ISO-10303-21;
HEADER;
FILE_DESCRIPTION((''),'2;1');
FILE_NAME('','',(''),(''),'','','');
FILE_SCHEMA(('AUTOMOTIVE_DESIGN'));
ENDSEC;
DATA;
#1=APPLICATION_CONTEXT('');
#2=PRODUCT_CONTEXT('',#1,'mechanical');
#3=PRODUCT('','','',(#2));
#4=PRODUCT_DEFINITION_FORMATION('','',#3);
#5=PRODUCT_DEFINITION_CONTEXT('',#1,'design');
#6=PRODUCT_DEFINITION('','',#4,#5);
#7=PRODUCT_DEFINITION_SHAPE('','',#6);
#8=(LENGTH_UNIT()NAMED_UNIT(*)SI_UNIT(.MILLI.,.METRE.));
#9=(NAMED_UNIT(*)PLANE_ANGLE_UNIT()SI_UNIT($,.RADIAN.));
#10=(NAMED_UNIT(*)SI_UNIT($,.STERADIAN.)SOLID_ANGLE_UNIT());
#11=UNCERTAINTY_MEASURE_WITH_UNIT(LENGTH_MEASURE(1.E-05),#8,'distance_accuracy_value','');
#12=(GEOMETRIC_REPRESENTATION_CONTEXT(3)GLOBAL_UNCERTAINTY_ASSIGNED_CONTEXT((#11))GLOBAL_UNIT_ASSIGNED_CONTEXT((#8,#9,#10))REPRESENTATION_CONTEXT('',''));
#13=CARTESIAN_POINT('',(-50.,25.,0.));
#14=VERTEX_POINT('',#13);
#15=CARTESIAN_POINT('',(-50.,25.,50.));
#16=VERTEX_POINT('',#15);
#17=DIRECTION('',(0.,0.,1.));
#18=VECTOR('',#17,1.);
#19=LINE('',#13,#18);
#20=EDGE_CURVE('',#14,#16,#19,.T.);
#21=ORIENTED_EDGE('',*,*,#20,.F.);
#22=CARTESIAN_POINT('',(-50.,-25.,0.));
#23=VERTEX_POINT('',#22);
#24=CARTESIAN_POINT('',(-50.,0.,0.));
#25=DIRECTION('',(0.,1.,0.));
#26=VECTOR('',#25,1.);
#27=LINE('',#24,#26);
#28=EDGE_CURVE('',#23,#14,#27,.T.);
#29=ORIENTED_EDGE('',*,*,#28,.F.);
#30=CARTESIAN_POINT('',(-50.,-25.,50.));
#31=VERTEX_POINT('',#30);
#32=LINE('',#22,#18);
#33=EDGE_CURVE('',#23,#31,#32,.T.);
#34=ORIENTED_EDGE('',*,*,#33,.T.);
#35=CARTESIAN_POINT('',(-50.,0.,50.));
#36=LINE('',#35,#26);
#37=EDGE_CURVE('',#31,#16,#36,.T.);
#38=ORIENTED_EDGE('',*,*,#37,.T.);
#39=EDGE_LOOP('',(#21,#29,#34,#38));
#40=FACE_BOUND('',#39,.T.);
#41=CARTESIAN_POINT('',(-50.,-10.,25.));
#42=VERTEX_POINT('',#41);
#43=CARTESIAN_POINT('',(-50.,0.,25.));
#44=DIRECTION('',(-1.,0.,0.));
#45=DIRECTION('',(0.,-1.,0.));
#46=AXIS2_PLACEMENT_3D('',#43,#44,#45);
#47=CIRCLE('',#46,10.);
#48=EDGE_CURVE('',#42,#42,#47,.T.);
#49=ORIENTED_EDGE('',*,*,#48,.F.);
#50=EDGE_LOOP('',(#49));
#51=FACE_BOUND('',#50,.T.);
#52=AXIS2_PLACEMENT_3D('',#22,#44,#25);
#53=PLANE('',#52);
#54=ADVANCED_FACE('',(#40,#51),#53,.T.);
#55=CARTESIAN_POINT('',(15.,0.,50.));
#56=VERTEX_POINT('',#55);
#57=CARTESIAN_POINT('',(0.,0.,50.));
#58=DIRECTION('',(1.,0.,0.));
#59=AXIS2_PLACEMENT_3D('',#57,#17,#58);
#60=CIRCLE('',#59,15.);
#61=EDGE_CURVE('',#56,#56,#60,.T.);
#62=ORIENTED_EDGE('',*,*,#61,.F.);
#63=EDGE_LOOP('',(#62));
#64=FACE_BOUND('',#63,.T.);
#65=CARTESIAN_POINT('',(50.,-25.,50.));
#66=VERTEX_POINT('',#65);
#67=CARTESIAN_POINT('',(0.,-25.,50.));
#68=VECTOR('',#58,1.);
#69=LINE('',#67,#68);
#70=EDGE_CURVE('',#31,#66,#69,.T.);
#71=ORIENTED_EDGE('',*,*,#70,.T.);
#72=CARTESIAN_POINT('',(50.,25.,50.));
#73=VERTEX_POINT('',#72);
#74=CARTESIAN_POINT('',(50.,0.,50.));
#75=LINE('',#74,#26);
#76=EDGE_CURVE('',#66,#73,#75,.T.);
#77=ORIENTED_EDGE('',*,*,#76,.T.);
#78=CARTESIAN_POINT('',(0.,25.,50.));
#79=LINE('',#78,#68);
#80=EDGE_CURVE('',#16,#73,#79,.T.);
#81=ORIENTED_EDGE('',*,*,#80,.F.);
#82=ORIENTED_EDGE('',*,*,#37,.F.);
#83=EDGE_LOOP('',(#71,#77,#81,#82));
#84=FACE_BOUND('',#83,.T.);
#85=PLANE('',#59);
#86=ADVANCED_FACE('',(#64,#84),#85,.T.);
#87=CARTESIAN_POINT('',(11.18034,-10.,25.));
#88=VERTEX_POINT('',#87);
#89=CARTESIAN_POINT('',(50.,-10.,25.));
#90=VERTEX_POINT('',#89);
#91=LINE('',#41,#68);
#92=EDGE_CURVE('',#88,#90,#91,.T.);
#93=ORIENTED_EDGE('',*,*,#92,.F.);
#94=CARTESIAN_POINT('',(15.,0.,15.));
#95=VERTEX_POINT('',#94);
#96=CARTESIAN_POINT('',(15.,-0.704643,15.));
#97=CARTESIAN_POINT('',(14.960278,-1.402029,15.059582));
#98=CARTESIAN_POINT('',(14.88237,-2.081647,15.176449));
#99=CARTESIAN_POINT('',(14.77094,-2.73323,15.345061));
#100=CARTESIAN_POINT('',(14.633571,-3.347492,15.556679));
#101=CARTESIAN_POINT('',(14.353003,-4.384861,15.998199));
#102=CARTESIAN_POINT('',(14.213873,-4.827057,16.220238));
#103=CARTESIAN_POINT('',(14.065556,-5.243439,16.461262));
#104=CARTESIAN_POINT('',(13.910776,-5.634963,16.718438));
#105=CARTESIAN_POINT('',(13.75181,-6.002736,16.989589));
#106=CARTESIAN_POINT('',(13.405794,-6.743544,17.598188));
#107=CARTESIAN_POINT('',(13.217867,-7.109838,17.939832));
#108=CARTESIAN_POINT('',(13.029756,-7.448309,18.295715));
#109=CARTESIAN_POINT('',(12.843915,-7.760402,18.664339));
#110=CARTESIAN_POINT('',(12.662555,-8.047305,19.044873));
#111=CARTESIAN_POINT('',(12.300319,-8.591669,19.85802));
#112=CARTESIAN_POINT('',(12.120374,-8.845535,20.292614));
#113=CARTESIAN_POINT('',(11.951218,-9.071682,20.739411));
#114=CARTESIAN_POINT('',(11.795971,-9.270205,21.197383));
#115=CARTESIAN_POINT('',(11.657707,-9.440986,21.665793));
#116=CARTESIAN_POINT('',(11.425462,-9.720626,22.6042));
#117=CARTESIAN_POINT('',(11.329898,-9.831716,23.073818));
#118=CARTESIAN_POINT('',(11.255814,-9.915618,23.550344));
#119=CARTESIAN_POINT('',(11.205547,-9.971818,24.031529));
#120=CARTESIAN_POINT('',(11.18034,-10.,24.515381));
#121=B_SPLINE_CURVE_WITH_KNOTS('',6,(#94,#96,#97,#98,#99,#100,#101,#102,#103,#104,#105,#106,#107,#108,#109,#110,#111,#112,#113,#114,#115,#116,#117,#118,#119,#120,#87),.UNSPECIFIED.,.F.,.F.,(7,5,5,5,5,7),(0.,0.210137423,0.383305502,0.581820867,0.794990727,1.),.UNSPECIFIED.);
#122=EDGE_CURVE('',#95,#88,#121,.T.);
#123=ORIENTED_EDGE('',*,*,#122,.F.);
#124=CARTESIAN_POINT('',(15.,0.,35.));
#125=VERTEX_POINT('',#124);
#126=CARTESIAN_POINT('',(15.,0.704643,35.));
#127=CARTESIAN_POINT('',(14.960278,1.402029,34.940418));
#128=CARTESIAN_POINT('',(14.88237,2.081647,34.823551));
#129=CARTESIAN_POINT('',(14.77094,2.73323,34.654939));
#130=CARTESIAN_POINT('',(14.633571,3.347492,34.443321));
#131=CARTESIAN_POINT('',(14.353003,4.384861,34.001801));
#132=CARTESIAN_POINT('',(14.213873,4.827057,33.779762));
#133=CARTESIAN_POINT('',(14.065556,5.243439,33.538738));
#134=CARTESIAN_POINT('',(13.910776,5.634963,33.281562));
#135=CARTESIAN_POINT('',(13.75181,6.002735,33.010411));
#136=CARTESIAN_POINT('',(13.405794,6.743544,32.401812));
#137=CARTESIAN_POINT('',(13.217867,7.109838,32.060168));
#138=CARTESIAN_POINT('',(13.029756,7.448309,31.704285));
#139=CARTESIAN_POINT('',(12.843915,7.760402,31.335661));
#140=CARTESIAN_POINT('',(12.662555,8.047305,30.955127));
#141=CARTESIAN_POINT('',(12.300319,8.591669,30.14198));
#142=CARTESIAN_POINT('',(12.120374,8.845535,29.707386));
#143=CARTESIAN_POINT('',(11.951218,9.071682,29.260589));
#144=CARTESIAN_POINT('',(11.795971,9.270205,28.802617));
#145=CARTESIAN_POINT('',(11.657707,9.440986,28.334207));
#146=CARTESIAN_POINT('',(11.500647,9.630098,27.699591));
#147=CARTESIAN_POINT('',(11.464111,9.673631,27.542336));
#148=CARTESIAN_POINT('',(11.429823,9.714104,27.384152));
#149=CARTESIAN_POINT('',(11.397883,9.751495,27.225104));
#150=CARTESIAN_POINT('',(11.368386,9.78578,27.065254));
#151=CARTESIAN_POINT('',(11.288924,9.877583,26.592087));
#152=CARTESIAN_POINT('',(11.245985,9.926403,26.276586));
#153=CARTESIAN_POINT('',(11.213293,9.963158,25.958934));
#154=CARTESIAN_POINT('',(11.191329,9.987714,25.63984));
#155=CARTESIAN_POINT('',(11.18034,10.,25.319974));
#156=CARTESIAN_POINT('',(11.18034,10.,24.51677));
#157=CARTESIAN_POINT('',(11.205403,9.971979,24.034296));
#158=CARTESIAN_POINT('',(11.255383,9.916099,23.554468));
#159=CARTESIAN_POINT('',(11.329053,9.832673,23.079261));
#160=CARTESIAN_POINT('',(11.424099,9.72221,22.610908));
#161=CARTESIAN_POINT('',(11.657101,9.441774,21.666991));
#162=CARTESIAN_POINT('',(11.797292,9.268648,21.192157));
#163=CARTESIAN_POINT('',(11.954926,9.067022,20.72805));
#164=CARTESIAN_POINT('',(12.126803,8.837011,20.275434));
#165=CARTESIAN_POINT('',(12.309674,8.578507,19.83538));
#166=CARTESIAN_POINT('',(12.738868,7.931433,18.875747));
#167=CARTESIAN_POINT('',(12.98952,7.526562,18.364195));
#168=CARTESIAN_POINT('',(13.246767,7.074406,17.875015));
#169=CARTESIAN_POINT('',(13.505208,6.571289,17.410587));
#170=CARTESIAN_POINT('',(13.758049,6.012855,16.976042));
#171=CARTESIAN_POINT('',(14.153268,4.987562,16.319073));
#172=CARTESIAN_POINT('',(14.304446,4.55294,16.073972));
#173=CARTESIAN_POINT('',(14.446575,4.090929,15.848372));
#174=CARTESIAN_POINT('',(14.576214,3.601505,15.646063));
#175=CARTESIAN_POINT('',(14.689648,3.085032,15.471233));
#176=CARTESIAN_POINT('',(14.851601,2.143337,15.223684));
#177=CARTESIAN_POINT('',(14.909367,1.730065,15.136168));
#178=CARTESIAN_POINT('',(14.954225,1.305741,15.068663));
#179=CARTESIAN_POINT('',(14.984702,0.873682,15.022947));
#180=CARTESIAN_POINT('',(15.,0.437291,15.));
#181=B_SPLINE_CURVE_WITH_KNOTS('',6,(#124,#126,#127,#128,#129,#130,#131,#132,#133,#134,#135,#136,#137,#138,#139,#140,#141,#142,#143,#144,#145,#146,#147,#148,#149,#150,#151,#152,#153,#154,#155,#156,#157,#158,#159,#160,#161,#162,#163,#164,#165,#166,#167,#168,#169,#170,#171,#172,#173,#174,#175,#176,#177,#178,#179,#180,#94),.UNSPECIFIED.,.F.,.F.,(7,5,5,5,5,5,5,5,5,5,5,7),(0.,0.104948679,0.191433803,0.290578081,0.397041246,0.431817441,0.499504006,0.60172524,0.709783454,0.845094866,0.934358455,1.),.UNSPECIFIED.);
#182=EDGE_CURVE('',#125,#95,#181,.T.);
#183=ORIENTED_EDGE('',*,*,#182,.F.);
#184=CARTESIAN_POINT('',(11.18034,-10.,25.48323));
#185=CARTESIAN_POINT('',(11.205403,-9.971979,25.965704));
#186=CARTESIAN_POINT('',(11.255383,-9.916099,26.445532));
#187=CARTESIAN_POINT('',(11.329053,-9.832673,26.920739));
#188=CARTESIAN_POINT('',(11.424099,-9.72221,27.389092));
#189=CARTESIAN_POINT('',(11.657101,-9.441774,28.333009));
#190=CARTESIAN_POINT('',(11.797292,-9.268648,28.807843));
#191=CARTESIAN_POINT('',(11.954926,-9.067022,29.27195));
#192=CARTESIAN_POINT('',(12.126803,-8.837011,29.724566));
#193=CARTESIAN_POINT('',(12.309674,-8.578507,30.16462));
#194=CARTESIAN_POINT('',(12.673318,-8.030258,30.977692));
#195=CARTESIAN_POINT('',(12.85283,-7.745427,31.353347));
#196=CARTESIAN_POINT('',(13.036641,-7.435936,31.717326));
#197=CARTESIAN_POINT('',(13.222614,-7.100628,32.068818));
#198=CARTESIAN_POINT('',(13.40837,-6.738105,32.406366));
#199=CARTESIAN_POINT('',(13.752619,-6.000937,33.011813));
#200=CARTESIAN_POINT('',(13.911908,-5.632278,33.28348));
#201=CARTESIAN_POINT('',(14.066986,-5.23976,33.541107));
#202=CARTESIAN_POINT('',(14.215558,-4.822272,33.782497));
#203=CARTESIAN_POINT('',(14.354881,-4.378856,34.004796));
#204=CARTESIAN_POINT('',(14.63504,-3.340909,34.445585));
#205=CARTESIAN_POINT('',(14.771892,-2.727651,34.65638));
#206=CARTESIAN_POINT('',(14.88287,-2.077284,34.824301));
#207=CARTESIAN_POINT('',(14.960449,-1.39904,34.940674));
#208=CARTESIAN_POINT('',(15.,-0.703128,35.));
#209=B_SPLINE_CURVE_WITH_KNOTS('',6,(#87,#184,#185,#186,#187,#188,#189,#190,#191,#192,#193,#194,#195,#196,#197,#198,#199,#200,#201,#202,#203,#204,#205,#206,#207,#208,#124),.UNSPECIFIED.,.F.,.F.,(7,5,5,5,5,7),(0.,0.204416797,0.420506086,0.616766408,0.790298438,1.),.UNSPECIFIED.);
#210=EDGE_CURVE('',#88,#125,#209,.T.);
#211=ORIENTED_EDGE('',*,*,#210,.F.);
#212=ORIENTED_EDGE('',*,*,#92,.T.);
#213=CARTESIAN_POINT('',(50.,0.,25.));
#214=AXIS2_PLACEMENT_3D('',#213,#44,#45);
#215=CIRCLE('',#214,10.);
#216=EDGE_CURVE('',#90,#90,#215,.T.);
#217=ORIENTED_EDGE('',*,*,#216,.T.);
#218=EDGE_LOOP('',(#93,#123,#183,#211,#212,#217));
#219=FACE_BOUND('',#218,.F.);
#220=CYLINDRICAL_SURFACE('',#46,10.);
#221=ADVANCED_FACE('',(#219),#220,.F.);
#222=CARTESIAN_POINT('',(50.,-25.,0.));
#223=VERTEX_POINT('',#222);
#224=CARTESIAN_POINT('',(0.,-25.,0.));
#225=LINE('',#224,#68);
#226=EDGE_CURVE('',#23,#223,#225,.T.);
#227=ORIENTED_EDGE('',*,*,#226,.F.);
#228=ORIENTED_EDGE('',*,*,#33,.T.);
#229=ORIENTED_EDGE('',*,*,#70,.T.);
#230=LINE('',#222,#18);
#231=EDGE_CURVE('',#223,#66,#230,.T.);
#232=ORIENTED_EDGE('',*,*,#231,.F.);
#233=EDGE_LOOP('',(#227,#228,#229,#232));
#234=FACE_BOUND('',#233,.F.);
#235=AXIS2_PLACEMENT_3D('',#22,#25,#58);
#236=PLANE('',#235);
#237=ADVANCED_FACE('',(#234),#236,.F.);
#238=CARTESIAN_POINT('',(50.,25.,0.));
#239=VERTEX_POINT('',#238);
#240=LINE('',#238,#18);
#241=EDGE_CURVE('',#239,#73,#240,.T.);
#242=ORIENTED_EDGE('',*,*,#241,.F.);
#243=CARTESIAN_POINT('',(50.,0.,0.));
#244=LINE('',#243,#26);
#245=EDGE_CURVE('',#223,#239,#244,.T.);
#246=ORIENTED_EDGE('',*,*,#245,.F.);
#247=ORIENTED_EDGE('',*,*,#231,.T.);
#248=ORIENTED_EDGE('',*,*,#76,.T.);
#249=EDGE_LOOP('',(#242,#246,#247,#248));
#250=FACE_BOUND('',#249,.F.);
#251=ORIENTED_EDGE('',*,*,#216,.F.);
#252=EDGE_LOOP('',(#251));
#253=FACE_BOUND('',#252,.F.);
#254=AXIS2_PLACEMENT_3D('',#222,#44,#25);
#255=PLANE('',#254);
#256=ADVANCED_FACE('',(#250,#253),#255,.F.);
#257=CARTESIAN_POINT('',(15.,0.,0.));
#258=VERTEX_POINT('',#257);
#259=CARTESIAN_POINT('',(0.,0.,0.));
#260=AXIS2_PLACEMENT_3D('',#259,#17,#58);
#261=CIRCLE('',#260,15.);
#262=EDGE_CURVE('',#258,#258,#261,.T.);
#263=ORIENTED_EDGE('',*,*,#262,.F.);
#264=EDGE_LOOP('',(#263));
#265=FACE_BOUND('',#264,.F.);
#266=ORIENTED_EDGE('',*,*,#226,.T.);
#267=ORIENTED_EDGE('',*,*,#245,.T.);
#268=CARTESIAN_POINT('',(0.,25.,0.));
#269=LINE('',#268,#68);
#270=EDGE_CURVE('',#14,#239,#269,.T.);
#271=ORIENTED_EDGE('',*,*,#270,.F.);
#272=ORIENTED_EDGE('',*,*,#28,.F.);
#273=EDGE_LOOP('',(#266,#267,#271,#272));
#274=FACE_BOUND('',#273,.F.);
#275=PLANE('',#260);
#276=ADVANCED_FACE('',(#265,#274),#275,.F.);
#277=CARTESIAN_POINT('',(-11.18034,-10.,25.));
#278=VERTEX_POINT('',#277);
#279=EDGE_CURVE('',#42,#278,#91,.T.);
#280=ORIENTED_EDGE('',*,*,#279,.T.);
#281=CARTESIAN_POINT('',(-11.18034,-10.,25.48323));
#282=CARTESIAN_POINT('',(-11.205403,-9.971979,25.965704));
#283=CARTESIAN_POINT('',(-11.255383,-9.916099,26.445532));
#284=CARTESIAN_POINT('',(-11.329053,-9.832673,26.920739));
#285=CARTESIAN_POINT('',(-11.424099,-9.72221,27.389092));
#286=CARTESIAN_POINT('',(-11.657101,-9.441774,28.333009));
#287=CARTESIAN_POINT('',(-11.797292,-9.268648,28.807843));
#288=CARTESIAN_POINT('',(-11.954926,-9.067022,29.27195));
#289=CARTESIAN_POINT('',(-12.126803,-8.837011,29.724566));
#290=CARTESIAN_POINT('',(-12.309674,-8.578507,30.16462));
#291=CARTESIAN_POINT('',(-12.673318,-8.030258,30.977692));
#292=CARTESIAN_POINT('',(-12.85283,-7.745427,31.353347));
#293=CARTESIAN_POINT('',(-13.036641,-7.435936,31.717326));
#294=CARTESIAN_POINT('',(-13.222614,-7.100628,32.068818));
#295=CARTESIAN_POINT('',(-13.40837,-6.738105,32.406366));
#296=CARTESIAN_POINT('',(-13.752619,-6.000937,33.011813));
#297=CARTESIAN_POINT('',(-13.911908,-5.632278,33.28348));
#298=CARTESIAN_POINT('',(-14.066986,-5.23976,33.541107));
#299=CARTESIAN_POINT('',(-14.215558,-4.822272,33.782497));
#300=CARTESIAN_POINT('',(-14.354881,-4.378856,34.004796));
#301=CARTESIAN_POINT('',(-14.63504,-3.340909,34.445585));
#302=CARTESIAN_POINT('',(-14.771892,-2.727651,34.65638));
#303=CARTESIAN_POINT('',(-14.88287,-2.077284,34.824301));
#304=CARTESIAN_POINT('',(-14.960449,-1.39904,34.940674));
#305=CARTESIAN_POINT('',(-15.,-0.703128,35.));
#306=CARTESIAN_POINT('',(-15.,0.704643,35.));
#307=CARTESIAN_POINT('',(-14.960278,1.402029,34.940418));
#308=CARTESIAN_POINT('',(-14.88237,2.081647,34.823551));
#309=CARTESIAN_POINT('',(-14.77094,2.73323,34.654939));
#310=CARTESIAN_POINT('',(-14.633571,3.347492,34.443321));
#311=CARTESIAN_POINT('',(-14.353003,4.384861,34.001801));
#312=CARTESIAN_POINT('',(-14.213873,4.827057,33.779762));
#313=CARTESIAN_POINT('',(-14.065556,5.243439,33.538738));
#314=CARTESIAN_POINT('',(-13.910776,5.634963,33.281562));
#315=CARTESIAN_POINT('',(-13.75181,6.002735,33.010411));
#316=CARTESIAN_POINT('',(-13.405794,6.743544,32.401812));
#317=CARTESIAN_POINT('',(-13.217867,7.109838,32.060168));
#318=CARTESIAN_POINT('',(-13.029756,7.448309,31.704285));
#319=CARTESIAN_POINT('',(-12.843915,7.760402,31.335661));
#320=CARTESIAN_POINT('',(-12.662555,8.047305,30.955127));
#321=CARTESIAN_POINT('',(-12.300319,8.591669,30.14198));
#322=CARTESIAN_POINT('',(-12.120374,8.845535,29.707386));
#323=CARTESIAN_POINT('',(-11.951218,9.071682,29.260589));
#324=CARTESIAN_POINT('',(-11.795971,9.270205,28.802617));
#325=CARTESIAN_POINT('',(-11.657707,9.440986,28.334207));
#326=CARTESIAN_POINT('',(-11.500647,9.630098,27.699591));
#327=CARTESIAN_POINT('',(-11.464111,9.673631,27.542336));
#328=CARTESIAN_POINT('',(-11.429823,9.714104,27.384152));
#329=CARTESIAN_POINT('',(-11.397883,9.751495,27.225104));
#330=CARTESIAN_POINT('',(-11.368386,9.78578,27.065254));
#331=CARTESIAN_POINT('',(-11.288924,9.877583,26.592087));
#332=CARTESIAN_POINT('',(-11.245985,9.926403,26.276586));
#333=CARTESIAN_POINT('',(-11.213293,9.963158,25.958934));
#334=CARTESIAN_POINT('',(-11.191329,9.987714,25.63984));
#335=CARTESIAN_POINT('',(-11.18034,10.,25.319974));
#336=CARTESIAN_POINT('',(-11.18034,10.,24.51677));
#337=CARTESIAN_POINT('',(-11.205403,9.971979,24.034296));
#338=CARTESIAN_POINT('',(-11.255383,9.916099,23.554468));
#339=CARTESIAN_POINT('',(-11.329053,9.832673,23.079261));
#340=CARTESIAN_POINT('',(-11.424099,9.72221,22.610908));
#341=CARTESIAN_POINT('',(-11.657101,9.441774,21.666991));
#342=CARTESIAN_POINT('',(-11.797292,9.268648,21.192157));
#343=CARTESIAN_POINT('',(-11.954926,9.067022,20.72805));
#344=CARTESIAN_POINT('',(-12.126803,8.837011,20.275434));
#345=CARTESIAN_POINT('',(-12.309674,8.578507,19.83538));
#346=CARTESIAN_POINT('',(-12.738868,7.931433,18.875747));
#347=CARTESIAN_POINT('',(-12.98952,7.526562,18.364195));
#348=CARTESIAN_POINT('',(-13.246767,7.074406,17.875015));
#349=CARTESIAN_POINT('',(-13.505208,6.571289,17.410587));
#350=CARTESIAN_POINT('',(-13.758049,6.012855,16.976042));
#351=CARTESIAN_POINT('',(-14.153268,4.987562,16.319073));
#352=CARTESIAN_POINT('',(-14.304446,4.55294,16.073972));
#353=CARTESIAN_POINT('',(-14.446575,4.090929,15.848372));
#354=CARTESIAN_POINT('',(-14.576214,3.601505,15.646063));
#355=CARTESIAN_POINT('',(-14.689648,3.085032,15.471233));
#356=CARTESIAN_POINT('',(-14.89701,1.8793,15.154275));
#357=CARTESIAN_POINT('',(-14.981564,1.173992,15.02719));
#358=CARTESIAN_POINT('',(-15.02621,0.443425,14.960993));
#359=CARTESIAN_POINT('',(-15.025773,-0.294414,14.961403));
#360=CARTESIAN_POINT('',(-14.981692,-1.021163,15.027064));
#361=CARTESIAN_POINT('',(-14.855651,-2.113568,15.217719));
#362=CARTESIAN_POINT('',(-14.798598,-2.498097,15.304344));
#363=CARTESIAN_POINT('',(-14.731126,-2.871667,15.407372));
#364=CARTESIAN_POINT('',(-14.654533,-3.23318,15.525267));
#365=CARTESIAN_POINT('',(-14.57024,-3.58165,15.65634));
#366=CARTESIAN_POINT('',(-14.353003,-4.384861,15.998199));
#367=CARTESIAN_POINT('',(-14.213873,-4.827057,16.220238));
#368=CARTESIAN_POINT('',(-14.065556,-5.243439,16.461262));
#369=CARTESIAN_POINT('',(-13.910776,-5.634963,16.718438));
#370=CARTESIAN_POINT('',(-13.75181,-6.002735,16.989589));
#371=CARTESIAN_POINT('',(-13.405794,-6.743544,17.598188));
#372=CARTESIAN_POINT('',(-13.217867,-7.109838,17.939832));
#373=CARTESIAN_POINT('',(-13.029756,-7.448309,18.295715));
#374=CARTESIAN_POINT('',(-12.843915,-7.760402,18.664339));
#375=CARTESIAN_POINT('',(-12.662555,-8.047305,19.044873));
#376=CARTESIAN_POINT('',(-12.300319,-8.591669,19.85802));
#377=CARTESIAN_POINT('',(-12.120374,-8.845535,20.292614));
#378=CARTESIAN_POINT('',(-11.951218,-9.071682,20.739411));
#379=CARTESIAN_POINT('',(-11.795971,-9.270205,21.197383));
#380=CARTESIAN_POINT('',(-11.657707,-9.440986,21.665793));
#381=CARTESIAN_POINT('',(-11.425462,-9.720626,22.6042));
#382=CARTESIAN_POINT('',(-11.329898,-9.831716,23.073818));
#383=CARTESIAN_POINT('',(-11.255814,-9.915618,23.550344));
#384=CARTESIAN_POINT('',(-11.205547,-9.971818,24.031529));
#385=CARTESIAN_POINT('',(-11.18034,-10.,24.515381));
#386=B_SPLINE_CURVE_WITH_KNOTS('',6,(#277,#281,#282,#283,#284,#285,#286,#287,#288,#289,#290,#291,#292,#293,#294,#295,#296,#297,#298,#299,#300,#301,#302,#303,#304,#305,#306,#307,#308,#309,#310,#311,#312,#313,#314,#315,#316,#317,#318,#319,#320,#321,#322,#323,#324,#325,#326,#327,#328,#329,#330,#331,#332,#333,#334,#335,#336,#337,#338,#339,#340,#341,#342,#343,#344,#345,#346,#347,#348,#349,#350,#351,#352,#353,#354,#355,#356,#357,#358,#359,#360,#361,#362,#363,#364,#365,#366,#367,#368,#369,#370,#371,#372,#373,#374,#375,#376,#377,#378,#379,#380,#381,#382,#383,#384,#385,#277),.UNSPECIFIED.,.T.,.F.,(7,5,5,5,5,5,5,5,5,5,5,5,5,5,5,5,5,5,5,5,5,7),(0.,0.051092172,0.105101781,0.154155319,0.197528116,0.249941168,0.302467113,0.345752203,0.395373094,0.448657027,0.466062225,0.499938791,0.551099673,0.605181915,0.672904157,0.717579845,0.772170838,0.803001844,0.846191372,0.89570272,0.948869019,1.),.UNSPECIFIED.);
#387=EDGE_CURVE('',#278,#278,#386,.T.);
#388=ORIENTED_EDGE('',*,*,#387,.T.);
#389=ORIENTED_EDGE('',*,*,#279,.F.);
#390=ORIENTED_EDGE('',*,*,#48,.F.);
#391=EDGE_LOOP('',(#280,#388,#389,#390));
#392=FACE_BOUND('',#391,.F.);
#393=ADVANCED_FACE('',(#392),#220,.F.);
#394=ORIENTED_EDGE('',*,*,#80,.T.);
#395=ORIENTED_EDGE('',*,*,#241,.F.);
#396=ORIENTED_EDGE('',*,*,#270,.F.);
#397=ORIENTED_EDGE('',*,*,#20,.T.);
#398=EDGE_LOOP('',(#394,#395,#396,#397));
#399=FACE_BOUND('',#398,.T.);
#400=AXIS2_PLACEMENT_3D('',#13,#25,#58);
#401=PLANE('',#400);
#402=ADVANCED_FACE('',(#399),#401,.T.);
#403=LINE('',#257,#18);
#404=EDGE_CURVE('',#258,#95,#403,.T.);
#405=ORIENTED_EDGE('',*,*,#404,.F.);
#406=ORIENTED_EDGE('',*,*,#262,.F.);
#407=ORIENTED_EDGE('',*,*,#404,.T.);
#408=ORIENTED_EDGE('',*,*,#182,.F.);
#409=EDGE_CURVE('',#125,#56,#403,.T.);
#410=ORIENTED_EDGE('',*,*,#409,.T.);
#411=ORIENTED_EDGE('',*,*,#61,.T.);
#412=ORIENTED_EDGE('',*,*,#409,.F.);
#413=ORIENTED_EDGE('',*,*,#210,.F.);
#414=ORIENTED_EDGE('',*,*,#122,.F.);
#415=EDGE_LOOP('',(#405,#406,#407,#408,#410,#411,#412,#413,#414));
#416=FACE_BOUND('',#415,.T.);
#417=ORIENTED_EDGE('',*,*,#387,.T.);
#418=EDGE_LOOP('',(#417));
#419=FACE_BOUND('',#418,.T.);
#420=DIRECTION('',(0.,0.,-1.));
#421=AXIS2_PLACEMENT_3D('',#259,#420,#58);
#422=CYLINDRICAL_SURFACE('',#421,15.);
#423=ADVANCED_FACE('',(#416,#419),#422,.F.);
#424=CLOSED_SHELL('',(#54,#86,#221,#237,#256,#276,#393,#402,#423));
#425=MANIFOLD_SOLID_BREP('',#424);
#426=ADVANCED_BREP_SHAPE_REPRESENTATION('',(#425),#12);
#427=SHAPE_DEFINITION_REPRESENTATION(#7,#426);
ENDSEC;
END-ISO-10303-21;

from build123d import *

# Parameters (mm, degrees)
F0_W     = 100
F0_H     = 50
F0_R     = 15
F1_DEPTH = 50
F2_R     = 10
F3_DEPTH = 100


with BuildPart() as f1:
    # F0 (on Top) → F1 (new body)
    with BuildSketch(Plane.XY):
        Rectangle(F0_W, F0_H)
        Circle(F0_R, mode=Mode.SUBTRACT)
    extrude(amount=F1_DEPTH)

    # F2 (on face) → F3 (cut)
    with BuildSketch(Plane(origin=(-50, 0, 0), x_dir=(0, -1, 0), z_dir=(-1, 0, 0))):
        with Locations((0, 25)):
            Circle(F2_R)
    extrude(amount=-F3_DEPTH, mode=Mode.SUBTRACT)


solid = f1.part
